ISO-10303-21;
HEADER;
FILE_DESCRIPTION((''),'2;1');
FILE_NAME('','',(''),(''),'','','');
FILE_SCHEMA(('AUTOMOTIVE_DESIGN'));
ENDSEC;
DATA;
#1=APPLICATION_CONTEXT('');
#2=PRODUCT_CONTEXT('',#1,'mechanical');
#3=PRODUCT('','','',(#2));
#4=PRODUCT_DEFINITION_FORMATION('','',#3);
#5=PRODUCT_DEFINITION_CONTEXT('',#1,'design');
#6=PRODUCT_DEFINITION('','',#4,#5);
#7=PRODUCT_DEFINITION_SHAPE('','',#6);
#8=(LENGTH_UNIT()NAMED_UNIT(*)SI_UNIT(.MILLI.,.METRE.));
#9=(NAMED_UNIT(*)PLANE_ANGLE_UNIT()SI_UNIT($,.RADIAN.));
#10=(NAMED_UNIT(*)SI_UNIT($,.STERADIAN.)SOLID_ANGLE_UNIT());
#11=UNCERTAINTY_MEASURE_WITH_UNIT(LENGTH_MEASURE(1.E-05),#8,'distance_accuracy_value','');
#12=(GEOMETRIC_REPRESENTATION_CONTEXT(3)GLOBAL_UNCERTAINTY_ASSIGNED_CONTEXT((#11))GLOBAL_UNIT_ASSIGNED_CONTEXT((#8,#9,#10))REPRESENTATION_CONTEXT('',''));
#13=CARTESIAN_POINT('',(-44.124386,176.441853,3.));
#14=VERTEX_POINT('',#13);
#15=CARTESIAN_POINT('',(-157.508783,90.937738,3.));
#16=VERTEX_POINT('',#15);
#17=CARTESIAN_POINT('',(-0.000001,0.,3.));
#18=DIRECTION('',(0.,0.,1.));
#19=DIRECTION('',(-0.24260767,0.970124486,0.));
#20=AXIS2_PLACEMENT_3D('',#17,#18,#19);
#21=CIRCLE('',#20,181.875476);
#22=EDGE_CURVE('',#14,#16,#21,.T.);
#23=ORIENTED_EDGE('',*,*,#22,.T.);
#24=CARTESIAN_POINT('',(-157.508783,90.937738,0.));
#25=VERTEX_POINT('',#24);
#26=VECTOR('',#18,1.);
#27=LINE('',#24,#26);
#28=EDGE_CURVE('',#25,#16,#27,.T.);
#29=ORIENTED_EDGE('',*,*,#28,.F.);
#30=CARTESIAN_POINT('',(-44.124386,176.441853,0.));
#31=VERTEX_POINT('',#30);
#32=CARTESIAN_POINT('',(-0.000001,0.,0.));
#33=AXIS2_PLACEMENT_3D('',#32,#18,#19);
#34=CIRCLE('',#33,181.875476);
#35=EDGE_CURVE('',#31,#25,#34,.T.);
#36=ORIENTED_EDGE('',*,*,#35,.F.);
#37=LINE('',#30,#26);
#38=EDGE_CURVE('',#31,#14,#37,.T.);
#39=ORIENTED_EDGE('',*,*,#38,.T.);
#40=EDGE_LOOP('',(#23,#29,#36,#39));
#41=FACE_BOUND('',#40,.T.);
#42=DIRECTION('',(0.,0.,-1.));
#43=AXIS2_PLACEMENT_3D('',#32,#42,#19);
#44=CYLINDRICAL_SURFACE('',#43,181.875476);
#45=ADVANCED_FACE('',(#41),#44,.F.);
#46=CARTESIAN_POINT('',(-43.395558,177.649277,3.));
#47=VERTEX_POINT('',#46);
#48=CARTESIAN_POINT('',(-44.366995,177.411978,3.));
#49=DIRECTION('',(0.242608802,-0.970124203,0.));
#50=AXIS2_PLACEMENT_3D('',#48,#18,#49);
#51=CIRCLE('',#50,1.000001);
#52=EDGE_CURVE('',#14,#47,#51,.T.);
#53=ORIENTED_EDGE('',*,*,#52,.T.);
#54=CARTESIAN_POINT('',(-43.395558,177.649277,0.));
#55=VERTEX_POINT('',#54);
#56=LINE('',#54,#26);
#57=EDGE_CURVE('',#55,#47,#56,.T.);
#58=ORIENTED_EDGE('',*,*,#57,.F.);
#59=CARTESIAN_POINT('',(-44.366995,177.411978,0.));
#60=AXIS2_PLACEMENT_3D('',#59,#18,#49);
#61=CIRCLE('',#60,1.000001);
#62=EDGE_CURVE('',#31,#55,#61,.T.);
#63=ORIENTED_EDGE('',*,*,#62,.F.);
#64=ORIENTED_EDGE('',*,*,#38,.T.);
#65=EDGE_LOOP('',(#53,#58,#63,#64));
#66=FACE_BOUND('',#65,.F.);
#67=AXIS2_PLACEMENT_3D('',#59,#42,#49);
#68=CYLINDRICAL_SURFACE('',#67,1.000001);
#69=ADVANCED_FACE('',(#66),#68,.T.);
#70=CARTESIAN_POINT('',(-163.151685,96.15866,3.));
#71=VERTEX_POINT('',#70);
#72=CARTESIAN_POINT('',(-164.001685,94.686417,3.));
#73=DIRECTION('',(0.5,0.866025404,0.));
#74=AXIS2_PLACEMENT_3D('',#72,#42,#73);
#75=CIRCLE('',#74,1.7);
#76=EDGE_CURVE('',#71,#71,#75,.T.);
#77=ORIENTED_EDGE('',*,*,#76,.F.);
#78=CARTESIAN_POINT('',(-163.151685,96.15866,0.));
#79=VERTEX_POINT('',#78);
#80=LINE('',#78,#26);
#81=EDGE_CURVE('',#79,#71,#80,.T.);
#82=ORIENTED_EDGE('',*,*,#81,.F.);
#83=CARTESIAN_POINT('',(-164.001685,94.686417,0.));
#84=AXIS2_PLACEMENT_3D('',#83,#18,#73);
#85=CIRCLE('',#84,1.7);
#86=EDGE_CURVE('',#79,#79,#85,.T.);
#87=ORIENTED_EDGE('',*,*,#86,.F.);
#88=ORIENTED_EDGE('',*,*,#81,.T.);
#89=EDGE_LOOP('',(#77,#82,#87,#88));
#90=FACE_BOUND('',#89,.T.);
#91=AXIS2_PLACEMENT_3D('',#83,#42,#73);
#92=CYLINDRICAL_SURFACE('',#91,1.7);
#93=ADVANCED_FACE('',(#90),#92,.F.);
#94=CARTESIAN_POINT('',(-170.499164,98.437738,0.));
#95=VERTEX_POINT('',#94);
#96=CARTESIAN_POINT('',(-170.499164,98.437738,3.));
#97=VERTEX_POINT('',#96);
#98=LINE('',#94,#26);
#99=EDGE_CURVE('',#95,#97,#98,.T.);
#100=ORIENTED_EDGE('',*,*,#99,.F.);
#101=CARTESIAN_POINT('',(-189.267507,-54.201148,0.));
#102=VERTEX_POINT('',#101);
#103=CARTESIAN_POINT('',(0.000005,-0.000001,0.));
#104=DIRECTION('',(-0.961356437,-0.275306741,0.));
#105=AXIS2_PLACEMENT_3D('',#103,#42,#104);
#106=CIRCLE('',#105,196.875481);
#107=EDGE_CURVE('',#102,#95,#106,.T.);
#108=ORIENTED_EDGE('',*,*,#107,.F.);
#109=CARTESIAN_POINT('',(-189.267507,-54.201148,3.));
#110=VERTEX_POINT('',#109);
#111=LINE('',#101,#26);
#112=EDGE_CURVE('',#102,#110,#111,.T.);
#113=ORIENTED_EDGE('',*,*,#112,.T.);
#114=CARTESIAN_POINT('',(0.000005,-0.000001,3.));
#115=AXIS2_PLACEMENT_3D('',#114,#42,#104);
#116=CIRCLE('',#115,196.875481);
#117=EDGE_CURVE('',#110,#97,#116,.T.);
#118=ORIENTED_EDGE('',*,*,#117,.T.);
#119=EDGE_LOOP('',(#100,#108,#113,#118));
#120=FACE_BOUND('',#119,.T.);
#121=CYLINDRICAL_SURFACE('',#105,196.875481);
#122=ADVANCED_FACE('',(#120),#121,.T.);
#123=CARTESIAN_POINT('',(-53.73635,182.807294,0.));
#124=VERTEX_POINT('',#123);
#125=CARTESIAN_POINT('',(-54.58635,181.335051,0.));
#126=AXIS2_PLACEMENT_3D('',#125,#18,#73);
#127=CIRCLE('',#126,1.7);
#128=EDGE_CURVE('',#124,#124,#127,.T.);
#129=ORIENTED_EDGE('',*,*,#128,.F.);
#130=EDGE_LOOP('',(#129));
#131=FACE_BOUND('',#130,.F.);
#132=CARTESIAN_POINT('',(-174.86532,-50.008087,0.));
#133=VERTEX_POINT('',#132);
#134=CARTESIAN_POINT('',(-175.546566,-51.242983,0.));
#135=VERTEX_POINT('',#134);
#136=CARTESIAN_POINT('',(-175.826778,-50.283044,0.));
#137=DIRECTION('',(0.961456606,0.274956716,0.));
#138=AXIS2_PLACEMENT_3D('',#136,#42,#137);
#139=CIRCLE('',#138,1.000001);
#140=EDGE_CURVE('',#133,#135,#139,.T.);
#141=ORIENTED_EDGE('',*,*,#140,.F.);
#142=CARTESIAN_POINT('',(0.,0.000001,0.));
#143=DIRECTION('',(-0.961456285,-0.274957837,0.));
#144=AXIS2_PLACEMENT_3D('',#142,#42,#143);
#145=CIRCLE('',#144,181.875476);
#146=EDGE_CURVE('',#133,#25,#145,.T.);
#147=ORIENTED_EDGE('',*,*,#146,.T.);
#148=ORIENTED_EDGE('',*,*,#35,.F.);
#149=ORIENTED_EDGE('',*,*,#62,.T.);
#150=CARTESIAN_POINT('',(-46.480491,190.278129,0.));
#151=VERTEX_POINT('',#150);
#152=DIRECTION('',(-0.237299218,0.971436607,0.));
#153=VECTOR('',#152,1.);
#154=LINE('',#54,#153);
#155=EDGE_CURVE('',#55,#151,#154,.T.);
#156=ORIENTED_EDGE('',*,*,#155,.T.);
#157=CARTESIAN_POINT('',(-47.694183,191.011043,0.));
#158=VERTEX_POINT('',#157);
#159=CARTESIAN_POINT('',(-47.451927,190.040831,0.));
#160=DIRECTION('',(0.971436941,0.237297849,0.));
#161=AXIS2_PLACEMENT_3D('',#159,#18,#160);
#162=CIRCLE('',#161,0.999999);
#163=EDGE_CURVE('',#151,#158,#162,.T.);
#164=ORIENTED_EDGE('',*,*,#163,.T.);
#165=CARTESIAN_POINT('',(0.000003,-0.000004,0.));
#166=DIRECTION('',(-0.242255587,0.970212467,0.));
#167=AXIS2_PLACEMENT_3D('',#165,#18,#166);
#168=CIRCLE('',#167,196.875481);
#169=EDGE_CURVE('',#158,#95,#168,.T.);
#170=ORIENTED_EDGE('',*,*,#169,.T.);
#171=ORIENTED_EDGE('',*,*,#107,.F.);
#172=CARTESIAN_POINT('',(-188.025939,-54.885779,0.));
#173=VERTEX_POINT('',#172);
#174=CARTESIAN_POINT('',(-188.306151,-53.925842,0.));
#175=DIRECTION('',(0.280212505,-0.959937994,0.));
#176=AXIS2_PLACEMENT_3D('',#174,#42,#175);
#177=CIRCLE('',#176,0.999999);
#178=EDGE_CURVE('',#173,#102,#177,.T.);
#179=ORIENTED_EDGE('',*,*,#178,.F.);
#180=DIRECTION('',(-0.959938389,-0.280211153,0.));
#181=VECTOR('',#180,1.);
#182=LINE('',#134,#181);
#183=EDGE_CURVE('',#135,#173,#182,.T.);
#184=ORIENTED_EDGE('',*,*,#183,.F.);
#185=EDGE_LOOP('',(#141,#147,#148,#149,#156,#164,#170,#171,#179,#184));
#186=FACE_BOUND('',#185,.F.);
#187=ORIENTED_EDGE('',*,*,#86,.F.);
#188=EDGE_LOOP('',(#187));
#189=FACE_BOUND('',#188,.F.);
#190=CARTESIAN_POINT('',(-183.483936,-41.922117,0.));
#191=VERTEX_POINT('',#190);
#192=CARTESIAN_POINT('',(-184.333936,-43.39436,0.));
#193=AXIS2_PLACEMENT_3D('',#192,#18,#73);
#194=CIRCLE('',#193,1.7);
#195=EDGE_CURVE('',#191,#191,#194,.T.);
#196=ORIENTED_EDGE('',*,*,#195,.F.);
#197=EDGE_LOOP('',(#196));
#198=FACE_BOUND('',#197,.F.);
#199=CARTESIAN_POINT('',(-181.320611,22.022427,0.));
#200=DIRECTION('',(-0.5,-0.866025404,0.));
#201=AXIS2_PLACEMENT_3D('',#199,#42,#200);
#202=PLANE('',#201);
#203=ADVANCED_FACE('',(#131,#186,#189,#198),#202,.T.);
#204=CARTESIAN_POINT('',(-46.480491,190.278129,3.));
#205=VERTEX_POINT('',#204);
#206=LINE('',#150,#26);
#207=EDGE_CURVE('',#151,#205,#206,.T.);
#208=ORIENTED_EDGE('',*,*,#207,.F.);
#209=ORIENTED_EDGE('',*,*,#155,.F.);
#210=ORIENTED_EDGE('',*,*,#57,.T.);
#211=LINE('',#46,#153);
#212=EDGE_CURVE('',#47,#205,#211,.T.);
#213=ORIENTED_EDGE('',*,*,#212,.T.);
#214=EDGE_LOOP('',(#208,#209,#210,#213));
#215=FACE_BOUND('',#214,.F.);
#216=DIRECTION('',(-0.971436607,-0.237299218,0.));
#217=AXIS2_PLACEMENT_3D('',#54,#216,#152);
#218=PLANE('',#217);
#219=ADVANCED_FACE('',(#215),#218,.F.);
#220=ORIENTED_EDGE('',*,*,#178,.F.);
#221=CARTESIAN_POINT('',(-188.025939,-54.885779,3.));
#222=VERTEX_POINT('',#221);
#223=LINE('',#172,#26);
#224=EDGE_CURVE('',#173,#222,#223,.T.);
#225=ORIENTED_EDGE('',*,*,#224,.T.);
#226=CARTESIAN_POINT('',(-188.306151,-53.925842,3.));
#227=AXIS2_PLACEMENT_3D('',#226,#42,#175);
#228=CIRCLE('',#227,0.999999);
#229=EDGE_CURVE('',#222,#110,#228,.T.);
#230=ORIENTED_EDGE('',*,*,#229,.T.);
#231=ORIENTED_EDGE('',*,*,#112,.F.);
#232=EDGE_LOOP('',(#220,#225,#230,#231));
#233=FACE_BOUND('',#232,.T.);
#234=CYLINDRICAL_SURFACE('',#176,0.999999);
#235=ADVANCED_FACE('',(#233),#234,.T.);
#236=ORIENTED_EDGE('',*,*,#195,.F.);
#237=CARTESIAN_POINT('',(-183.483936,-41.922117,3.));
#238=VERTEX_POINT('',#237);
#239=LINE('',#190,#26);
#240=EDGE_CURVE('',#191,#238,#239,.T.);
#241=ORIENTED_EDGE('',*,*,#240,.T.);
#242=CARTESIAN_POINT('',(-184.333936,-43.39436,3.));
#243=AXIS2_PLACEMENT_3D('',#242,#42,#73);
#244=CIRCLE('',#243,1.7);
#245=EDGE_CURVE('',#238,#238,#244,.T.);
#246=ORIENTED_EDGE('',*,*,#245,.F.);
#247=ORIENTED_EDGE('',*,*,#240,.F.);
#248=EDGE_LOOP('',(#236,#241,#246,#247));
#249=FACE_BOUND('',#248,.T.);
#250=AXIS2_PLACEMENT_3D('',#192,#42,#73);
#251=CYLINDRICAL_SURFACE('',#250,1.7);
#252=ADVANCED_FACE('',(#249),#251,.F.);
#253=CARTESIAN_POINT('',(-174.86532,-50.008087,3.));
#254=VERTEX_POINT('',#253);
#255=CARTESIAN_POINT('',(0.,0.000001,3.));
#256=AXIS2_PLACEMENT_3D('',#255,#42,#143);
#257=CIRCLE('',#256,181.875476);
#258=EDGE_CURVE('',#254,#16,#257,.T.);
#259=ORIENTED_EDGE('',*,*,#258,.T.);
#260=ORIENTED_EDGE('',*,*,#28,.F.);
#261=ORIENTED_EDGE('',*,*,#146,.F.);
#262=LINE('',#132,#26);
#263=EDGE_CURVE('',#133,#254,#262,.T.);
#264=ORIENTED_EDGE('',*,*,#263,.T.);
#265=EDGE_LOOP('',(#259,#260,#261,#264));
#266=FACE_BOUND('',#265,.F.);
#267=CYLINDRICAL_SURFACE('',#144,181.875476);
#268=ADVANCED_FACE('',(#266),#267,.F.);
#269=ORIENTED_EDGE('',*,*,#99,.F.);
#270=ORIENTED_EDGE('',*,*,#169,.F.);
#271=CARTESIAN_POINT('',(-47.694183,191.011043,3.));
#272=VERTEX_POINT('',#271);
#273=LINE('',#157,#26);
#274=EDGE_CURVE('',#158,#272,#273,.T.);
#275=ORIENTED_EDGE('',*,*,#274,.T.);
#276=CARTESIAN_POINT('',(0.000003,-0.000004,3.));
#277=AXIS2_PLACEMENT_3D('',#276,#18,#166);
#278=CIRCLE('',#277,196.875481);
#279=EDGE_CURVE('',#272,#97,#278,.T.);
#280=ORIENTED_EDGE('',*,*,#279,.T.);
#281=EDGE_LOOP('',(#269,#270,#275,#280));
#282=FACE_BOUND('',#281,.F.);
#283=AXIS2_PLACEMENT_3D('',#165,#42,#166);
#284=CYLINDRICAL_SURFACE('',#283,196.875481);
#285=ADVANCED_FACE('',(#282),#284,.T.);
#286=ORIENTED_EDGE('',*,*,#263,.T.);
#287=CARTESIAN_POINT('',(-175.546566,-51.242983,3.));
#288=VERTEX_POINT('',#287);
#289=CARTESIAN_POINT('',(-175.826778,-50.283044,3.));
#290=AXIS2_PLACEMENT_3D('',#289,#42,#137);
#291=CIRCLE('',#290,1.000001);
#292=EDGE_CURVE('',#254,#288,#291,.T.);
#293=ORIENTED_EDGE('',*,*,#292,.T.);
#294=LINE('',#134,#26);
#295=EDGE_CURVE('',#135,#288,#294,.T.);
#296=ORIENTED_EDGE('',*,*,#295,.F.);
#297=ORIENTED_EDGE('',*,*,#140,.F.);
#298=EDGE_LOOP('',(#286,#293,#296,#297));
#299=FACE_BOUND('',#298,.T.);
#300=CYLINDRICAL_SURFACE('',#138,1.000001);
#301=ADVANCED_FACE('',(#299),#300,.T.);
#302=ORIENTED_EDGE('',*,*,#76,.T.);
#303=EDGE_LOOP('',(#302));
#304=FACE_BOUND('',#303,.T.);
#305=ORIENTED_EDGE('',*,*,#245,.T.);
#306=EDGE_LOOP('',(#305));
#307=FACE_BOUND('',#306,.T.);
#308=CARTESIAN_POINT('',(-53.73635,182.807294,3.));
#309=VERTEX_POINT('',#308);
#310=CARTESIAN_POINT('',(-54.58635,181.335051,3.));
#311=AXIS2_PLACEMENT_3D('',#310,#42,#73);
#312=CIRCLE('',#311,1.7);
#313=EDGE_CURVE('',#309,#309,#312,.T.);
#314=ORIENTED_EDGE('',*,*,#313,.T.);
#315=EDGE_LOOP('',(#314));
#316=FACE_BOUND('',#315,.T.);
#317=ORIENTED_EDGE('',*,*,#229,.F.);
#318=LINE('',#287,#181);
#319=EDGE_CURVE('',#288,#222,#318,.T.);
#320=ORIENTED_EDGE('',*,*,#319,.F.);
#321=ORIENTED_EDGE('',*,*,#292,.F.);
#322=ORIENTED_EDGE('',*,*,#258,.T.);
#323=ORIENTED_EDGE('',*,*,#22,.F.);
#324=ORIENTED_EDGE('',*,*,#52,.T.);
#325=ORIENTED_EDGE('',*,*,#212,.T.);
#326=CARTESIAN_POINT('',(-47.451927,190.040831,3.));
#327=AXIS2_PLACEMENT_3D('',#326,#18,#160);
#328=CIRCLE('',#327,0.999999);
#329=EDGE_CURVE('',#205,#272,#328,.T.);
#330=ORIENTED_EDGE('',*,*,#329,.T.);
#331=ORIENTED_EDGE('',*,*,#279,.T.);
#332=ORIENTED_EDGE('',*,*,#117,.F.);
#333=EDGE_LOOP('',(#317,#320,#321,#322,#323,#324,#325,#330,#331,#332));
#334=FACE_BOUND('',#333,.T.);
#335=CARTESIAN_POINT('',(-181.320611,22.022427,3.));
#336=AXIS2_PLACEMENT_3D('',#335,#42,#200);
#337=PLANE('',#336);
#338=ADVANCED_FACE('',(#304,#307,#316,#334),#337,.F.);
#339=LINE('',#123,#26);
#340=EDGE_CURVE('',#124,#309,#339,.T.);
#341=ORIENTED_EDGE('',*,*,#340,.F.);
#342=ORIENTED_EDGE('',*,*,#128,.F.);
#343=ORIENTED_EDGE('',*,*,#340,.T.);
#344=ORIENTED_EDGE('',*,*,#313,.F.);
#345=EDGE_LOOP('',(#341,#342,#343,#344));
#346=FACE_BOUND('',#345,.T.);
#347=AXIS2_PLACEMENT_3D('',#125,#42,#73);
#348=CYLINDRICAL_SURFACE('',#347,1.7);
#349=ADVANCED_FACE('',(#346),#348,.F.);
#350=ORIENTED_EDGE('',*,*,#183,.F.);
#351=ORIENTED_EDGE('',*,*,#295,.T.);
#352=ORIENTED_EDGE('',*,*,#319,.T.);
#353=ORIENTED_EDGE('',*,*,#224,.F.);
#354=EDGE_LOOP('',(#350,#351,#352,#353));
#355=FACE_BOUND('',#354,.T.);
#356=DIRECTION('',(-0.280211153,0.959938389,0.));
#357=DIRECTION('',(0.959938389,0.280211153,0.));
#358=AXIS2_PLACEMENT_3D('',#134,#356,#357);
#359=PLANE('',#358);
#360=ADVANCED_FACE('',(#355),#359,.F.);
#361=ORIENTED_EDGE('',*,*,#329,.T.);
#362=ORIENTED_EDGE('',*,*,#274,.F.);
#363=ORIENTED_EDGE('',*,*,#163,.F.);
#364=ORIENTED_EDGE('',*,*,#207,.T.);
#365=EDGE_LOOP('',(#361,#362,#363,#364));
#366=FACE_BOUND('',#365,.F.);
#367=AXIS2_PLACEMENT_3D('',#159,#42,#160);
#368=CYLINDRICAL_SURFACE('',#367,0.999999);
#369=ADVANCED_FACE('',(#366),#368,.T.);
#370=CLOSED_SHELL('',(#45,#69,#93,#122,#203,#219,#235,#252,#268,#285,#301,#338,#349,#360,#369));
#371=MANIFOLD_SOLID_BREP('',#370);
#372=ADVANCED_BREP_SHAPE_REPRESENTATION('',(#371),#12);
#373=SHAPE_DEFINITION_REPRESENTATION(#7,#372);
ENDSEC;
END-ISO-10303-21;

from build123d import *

# Parameters (mm, degrees)
PAD015_DEPTH                        = 3
SKETCH054_R                         = 1.7
POCKET018_DEPTH                     = 0.001
POCKET018_DEPTH_BACK                = 3.001
BODY001003005003004_PLACEMENT_ANGLE = 60


with BuildPart() as part:
    # Sketch053 → Pad015 (new body)
    with BuildSketch(Plane.XY):
        with BuildLine():
            Line((0, 181.875477), (0, 196.875477))
            ThreePointArc((141.573324, 136.809895), (76.894213, 181.238057), (0, 196.875477))
            ThreePointArc((141.545448, 135.39235), (141.85403, 136.095329), (141.573324, 136.809895))
            Line((132.151008, 126.406294), (141.545448, 135.39235))
            ThreePointArc((130.740934, 126.433766), (131.440303, 126.129123), (132.151008, 126.406294))
            ThreePointArc((130.740934, 126.433766), (71.005238, 167.442364), (0, 181.875477))
        make_face()
    pad015 = extrude(amount=PAD015_DEPTH)

    # Mirrored020: Pad015 across Sketch053 V_Axis
    add(pad015.mirror(Plane(origin=(0, 0, 0), x_dir=(0, 0, 1), z_dir=(1, 0, 0))))

    # Sketch054 → Pocket018 (cut, two sides)
    with BuildSketch(Plane.XY) as pocket018_sk:
        with Locations((129.747586, 137.940691)):
            Circle(SKETCH054_R)
        with Locations((0, 189.372834)):
            Circle(SKETCH054_R)
        with Locations((-129.747586, 137.940691)):
            Circle(SKETCH054_R)
    extrude(amount=-POCKET018_DEPTH, mode=Mode.SUBTRACT)
    extrude(pocket018_sk.sketch, amount=POCKET018_DEPTH_BACK, mode=Mode.SUBTRACT)


with BuildPart() as part_1:
    # Body001003005003004 placement: moved
    add(part.part.rotate(Axis((0, 0, 0), (0, 0, 1)), BODY001003005003004_PLACEMENT_ANGLE))


solid = part_1.part
